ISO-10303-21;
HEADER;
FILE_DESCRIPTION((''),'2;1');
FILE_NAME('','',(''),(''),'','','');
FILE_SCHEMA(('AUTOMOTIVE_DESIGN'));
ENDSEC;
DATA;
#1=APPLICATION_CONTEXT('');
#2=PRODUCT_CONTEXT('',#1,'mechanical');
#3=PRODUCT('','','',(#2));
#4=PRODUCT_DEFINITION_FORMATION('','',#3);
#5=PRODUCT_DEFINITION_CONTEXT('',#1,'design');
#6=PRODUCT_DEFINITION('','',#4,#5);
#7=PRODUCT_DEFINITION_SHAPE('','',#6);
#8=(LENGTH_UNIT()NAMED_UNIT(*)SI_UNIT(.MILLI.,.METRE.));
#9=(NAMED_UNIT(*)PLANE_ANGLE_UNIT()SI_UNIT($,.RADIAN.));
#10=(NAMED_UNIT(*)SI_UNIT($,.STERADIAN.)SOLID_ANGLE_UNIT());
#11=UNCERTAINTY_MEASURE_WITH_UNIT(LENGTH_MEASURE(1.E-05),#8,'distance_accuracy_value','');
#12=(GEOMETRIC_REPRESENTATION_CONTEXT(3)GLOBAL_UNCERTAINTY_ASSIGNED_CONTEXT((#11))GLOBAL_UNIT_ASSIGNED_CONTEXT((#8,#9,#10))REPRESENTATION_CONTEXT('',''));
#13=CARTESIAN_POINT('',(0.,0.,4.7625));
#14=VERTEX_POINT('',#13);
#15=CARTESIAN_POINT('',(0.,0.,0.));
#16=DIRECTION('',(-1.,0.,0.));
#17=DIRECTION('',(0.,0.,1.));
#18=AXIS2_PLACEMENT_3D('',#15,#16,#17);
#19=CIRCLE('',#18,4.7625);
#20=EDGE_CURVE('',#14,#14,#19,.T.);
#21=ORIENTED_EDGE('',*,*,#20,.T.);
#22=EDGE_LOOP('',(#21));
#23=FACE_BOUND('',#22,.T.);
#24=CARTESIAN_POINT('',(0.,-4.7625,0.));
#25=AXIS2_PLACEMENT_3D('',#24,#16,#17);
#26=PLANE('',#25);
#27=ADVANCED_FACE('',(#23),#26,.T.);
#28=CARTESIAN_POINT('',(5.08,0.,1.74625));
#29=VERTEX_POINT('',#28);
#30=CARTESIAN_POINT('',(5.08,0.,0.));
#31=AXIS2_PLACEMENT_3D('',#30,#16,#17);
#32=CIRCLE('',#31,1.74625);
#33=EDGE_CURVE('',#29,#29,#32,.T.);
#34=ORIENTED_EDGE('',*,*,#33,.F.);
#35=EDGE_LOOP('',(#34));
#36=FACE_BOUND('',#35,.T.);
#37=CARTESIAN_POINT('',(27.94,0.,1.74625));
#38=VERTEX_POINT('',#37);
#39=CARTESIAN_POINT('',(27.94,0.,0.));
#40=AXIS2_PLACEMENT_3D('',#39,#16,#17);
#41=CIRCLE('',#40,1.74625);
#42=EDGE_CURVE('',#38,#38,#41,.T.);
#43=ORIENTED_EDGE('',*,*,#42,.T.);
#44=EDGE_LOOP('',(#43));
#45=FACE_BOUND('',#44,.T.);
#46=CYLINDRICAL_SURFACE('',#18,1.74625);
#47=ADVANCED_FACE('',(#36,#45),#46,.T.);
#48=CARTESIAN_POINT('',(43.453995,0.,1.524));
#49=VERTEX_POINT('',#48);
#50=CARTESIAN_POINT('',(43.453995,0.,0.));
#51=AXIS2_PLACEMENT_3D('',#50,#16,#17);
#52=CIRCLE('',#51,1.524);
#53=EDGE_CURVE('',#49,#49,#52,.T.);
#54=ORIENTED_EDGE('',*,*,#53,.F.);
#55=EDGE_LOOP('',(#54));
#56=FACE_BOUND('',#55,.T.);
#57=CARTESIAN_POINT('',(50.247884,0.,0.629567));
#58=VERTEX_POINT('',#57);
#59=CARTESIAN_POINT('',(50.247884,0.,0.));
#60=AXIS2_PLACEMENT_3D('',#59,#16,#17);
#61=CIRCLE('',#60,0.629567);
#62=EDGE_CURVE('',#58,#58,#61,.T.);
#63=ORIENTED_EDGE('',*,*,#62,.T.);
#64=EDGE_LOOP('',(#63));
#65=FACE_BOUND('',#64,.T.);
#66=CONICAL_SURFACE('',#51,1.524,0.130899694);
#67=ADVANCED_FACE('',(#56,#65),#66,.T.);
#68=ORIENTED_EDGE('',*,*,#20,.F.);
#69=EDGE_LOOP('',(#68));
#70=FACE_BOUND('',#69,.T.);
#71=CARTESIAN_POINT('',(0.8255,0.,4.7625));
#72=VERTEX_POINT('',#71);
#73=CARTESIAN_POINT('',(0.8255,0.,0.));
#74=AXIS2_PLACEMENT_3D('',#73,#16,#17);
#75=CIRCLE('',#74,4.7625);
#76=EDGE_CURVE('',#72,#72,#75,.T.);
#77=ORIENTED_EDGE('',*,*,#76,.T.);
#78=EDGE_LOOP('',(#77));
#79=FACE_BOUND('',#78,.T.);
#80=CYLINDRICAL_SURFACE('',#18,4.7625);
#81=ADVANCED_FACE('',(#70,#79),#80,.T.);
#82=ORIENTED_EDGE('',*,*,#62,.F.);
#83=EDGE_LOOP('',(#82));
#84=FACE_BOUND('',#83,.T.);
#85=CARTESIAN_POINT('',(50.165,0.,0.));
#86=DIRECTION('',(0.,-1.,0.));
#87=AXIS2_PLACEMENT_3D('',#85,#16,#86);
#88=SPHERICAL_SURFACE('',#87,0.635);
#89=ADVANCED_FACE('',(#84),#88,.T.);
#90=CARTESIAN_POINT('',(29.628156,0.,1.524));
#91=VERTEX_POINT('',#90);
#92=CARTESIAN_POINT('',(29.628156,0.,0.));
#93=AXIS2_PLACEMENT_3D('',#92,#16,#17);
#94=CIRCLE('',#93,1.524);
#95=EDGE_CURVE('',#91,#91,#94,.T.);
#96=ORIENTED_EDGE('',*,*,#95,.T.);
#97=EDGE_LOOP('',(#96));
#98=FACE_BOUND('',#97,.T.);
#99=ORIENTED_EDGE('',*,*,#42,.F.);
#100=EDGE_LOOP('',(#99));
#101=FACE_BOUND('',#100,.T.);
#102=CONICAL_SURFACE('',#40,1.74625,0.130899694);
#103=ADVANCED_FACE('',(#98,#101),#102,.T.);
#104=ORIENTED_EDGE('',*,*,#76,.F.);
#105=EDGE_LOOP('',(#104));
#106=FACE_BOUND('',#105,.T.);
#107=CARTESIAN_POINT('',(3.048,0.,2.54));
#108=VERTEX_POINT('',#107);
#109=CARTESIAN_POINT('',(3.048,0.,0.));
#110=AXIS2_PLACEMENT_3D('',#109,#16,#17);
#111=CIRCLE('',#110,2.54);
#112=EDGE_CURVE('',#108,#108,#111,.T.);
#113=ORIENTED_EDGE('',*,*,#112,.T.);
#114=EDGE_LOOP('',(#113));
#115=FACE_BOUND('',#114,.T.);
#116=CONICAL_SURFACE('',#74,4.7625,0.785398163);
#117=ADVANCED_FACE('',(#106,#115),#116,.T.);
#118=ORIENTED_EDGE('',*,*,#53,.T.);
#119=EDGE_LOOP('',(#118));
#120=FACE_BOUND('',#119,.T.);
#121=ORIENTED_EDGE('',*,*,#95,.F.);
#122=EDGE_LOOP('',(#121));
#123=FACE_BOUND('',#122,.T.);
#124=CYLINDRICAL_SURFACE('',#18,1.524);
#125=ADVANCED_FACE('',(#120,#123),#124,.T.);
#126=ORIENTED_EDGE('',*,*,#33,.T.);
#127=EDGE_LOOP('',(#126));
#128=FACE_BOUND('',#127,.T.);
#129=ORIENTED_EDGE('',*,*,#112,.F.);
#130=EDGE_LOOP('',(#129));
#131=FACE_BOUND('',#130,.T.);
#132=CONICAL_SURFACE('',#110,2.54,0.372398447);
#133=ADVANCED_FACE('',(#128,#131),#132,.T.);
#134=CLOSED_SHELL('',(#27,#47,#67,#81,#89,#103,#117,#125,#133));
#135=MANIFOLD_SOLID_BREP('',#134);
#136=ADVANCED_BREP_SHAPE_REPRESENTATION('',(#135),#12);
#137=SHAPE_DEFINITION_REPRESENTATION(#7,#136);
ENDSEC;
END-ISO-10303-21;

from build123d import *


with BuildPart() as part:
    # Sketch1 → Revolve1 (revolve)
    with BuildSketch(Plane.XY, mode=Mode.PRIVATE) as revolve1_sk:
        with BuildLine():
            Line((0, -4.7625), (0, 0))
            Line((0, 0), (50.8, 0))
            ThreePointArc((50.8, 0), (50.642418278, -0.418684593), (50.247884132, -0.629567487))
            Line((50.247884132, -0.629567487), (43.453994693, -1.524))
            Line((43.453994693, -1.524), (29.628156352, -1.524))
            Line((29.628156352, -1.524), (27.94, -1.74625))
            Line((27.94, -1.74625), (5.08, -1.74625))
            Line((5.08, -1.74625), (3.048, -2.54))
            Line((3.048, -2.54), (0.8255, -4.7625))
            Line((0.8255, -4.7625), (0, -4.7625))
        make_face()
    revolve(revolve1_sk.sketch.rotate(Axis((0, 0, 0), (1, 0, 0)), 270), axis=Axis((0, 0, 0), (1, 0, 0)))


solid = part.part
